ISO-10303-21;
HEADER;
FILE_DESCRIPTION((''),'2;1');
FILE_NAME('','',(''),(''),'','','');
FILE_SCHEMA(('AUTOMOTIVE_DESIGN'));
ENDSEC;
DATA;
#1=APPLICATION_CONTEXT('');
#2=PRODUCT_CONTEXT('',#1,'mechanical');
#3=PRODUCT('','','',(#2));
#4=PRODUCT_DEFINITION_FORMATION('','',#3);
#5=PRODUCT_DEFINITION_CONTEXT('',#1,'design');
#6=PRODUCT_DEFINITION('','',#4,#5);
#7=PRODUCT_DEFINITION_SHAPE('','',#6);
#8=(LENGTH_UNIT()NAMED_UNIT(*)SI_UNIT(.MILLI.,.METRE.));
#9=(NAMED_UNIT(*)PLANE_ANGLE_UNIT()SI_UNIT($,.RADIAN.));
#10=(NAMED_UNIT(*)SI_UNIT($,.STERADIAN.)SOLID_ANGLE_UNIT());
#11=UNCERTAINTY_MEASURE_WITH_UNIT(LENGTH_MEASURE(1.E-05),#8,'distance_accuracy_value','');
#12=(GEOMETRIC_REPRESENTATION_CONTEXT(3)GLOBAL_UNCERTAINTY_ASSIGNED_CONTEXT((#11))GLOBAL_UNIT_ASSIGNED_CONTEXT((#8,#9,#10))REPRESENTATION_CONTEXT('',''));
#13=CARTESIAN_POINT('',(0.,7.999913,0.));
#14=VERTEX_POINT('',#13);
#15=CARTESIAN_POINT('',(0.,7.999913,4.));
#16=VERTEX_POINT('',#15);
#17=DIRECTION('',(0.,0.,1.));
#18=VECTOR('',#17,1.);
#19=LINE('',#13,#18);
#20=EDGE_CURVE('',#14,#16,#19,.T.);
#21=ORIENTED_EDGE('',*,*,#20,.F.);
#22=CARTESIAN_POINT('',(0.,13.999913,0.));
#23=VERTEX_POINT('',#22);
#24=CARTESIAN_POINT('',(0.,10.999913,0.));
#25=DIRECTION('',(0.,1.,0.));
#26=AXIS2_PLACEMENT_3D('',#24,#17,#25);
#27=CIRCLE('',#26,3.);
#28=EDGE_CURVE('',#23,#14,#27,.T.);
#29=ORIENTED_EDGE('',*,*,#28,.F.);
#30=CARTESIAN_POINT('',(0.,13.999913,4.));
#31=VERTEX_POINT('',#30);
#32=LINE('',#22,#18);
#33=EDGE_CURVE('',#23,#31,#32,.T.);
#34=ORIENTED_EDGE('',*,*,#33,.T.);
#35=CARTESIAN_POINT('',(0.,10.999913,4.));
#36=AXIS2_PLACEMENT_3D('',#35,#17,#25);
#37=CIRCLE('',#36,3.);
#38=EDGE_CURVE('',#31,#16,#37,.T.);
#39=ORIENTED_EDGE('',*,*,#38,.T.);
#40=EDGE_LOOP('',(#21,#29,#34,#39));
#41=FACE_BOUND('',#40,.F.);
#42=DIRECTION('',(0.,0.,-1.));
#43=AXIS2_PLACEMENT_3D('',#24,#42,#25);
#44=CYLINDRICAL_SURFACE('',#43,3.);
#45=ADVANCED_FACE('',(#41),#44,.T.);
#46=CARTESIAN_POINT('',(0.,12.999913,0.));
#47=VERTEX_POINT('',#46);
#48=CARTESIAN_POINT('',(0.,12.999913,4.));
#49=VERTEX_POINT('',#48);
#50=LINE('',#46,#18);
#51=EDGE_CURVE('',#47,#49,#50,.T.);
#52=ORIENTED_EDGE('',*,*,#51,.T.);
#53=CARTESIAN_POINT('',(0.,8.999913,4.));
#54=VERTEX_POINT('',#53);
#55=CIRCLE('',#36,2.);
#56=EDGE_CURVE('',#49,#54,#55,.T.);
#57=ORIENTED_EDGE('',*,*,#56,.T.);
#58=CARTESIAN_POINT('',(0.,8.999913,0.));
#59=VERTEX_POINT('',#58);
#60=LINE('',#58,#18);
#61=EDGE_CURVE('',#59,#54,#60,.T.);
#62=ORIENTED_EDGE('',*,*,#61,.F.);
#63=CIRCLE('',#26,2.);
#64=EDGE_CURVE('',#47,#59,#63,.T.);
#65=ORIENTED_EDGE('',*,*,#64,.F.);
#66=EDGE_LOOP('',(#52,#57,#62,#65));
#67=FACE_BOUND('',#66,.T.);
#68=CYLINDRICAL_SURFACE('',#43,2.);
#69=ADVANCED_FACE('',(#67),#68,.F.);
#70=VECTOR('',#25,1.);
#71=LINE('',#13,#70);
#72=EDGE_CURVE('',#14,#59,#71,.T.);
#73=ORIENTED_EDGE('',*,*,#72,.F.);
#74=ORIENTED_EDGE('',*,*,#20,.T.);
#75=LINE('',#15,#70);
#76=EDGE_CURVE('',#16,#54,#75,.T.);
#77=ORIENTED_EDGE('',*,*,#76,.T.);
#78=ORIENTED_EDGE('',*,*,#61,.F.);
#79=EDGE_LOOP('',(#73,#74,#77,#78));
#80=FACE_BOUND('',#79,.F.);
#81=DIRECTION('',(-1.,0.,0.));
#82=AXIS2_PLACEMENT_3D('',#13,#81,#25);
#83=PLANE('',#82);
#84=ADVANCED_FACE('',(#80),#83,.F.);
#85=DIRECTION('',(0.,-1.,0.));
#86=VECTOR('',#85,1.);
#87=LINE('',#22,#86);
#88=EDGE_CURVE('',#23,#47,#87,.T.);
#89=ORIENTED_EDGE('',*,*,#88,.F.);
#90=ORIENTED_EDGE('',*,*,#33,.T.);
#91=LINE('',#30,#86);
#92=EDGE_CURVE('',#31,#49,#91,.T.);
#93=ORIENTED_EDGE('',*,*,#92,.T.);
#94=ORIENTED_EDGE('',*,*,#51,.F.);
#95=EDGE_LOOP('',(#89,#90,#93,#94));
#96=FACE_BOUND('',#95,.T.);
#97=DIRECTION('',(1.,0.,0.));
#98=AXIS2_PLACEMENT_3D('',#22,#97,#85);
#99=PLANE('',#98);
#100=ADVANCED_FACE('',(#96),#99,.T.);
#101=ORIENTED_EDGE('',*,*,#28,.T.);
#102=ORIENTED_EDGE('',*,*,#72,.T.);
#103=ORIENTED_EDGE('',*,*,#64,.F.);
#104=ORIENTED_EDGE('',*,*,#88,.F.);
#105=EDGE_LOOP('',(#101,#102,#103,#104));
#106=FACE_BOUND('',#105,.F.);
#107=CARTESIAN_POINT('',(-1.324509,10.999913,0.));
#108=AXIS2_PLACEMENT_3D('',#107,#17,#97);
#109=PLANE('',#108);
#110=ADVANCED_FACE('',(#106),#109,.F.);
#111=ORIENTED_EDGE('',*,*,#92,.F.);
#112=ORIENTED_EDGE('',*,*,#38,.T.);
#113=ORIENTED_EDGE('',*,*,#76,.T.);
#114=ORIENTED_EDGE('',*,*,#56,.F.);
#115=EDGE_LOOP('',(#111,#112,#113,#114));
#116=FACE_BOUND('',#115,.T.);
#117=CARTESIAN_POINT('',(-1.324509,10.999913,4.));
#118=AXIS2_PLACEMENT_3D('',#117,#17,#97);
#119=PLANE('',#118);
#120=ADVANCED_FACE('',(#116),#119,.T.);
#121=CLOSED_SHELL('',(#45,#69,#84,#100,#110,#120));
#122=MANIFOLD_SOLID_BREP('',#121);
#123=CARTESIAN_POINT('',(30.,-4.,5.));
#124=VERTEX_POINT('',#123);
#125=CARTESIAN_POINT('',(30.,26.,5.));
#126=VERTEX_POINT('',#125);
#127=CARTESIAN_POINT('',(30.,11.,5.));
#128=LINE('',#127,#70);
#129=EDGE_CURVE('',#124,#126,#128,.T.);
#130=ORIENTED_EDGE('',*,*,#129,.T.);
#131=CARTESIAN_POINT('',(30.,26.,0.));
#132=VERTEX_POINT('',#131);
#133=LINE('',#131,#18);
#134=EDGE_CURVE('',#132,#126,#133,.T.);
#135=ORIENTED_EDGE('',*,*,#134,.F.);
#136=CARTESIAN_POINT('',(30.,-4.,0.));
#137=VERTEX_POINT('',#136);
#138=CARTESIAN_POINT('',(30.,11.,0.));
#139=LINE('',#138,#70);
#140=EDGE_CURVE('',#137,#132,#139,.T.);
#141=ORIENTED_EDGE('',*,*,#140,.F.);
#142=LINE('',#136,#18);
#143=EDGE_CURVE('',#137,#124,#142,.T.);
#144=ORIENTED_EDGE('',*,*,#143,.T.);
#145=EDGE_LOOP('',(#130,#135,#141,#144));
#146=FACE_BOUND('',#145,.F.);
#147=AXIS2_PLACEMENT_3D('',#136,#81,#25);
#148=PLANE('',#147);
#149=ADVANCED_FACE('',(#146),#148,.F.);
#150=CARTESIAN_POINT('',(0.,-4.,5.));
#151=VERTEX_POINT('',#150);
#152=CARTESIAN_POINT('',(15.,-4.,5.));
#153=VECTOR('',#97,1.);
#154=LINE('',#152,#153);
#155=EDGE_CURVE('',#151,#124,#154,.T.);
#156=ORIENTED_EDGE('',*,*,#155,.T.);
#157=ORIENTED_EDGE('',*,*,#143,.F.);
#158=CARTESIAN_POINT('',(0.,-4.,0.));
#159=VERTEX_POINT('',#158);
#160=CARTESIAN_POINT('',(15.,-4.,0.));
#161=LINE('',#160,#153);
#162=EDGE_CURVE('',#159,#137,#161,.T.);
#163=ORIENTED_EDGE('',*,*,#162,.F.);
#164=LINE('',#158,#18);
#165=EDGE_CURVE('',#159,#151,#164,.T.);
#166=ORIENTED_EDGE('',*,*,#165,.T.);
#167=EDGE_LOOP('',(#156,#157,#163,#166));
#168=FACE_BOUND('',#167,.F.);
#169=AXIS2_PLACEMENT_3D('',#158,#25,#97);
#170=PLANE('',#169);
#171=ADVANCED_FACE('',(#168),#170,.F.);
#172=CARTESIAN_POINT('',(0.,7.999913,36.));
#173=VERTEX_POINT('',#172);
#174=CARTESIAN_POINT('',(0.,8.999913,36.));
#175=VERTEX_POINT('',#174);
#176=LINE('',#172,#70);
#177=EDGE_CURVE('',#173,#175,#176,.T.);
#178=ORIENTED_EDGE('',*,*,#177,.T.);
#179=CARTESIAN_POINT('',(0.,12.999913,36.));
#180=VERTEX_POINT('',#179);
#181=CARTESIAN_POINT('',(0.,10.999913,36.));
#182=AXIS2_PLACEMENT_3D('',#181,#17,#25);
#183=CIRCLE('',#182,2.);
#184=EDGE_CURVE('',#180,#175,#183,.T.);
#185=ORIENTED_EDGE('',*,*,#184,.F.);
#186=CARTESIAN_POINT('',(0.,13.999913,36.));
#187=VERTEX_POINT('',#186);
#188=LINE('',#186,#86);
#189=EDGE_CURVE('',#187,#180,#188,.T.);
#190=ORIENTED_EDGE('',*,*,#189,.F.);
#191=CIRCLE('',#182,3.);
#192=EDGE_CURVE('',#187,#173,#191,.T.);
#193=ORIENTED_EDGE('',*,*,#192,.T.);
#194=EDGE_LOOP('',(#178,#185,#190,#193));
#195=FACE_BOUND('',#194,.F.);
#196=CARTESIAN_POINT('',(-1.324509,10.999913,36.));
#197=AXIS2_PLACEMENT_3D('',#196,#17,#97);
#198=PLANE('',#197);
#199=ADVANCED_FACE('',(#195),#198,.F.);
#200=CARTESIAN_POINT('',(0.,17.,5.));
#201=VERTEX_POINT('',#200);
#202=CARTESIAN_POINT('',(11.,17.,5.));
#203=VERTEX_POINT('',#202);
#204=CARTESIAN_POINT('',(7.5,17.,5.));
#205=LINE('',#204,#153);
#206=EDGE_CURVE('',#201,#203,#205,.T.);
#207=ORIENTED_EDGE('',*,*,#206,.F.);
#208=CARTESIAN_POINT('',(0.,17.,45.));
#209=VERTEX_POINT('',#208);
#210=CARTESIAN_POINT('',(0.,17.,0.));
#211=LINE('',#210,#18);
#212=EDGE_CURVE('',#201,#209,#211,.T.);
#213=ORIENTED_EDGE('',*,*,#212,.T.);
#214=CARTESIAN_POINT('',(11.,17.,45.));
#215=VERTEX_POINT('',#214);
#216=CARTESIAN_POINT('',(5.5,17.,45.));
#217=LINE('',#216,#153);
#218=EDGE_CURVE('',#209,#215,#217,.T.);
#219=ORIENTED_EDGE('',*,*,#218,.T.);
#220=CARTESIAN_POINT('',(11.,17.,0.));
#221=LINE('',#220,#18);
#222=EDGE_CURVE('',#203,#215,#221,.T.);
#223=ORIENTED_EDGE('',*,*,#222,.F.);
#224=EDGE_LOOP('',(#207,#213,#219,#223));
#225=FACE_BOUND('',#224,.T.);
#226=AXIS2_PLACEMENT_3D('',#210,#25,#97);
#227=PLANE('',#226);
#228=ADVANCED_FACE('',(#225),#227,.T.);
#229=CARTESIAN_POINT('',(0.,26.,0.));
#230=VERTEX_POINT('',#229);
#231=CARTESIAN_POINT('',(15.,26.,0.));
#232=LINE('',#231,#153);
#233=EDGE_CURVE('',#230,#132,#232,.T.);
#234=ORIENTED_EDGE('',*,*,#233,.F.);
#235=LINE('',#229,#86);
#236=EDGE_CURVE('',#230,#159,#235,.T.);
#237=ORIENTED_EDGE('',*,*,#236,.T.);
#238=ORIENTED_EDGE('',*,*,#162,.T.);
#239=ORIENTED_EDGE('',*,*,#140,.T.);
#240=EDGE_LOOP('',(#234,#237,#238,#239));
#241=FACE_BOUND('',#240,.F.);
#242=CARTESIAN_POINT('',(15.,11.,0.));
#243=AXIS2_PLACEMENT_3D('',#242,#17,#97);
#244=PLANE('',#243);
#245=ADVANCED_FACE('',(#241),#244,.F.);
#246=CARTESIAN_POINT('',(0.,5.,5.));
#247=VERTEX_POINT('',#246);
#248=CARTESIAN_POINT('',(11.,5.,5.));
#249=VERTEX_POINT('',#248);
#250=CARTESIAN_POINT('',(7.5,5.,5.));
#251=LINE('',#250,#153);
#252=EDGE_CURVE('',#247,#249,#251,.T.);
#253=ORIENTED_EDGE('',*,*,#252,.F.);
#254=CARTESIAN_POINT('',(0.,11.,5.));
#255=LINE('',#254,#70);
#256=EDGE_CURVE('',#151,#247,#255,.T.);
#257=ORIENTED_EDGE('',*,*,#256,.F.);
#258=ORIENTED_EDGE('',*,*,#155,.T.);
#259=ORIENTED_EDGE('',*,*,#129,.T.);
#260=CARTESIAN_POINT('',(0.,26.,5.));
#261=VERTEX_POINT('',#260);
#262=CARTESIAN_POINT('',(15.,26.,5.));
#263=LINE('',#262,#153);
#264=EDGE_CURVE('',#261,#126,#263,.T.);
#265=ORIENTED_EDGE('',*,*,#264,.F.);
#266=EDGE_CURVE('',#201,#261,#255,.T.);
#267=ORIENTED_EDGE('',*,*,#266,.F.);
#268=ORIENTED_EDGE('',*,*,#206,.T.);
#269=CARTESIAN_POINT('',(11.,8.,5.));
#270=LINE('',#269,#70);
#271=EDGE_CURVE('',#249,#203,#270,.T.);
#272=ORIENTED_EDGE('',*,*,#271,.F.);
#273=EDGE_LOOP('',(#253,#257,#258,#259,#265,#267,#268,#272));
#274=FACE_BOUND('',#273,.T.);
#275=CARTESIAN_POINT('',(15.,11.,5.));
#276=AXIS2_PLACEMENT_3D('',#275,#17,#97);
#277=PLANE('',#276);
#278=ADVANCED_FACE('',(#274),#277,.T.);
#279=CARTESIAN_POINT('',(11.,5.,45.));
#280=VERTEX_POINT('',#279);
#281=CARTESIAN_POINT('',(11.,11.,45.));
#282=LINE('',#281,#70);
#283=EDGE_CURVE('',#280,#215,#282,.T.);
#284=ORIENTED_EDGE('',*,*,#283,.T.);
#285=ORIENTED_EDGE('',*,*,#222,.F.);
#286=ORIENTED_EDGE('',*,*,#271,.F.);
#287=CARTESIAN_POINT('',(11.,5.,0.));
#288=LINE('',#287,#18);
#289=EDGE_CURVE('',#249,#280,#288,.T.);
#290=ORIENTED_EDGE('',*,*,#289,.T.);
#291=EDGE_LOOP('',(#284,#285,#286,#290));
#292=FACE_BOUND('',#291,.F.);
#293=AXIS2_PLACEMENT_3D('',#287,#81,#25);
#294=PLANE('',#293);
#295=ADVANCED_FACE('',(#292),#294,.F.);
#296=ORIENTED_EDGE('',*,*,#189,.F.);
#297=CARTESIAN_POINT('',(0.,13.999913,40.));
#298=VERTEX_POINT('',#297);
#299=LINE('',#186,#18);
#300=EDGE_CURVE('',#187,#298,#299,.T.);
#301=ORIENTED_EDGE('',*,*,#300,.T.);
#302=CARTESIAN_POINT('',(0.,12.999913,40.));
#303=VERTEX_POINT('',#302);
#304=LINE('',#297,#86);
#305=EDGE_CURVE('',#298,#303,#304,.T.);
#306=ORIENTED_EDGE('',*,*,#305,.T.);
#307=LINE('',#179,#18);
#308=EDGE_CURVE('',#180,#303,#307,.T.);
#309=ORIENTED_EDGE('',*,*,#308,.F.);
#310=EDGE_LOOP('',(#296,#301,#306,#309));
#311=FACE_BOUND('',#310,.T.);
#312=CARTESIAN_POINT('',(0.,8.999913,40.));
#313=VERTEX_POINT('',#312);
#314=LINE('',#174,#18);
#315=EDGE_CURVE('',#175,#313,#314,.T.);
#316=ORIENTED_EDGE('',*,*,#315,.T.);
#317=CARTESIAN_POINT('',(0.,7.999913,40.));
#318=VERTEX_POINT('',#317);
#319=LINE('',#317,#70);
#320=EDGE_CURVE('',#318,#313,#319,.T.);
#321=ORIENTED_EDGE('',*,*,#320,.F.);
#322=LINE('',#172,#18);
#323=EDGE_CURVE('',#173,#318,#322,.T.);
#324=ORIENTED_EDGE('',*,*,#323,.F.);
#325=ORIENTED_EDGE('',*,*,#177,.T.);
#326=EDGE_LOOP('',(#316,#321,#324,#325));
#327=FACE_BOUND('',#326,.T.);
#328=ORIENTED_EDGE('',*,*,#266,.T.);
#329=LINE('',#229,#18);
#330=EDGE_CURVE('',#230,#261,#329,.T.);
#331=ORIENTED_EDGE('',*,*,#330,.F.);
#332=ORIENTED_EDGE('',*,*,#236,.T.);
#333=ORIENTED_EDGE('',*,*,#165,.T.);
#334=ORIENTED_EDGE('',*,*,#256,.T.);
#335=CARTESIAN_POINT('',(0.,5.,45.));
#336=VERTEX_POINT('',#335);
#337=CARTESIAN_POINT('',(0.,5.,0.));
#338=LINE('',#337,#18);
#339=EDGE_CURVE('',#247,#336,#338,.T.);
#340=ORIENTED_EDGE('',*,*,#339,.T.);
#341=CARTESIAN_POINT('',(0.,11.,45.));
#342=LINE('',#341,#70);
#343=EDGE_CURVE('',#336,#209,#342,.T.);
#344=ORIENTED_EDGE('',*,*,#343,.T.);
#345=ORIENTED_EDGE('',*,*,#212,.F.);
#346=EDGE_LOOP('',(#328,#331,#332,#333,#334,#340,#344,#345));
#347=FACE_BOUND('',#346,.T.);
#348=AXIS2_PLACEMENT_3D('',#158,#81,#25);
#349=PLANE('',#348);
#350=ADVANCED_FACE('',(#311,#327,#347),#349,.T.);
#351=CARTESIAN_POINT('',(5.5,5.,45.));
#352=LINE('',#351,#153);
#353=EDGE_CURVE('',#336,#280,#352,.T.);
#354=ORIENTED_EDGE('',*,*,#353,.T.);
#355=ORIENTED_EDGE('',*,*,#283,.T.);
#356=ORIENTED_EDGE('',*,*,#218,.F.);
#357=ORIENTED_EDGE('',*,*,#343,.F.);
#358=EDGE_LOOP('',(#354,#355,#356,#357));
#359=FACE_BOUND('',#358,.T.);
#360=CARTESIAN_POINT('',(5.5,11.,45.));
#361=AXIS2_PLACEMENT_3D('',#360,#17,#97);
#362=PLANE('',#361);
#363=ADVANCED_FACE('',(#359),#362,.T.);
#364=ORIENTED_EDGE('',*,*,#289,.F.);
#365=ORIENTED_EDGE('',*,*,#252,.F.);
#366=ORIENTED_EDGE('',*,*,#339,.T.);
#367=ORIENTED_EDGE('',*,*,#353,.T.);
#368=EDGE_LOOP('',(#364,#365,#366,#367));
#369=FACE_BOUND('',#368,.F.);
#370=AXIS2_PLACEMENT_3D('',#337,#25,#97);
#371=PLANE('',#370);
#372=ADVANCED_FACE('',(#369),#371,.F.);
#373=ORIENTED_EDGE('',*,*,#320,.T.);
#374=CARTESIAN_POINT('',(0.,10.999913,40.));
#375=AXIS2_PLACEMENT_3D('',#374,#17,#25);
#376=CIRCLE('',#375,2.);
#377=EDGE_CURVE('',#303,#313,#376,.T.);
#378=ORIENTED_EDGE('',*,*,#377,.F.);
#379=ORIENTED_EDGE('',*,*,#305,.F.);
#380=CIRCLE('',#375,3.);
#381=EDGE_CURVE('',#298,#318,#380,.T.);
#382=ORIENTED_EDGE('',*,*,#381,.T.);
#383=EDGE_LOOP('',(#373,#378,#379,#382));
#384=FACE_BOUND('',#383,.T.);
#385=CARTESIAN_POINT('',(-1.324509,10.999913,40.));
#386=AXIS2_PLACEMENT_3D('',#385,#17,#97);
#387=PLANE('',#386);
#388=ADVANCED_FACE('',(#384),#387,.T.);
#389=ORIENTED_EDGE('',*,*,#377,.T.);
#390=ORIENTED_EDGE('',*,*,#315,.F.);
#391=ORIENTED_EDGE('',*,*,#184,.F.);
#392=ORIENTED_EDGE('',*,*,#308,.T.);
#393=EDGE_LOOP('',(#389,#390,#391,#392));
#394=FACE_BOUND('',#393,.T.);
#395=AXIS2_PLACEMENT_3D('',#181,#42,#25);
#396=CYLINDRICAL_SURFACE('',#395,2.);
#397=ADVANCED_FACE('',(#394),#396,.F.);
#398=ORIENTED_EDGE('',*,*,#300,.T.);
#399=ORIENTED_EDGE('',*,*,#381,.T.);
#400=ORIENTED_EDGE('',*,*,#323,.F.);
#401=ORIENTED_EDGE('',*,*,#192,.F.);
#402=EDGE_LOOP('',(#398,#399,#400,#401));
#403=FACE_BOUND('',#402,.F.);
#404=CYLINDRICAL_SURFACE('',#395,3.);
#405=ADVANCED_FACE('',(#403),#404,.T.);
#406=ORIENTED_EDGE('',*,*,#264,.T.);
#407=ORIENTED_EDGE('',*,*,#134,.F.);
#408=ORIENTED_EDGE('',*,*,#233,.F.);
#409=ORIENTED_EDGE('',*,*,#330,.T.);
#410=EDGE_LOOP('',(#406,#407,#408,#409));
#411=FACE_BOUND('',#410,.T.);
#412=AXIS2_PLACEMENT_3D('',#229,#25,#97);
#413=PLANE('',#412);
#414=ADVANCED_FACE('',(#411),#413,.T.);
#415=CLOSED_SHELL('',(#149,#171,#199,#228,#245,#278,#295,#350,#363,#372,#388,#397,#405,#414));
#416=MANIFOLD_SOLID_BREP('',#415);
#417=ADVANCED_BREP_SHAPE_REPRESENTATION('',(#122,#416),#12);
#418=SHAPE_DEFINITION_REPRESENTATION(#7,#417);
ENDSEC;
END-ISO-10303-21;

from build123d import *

# Parameters (mm, degrees)
EXTRUDE002_DEPTH = 4
EXTRUDE003_DEPTH = 4
SKETCH_W         = 30
SKETCH_H         = 30
EXTRUDE_DEPTH    = 5
SKETCH001_W      = 11
SKETCH001_H      = 12
EXTRUDE001_DEPTH = 45


with BuildPart() as extrude002:
    # Sketch002 → Extrude002 (new body)
    with BuildSketch(Plane.XY):
        with BuildLine():
            ThreePointArc((0, 13.999913), (-3, 10.999913), (0, 7.999913))
            Line((0, 7.999913), (0, 8.999913))
            ThreePointArc((0, 12.999913), (-2, 10.999913), (0, 8.999913))
            Line((0, 13.999913), (0, 12.999913))
        make_face()
    extrude(amount=EXTRUDE002_DEPTH)


with BuildPart() as extrude003:
    # Sketch002 → Extrude003 (new body)
    with BuildSketch(Plane.XY):
        with BuildLine():
            ThreePointArc((0, 13.999913), (-3, 10.999913), (0, 7.999913))
            Line((0, 7.999913), (0, 8.999913))
            ThreePointArc((0, 12.999913), (-2, 10.999913), (0, 8.999913))
            Line((0, 13.999913), (0, 12.999913))
        make_face()
    extrude(amount=EXTRUDE003_DEPTH)


with BuildPart() as extrude003_1:
    # Extrude003 placement: moved
    add(extrude003.part.moved(Location((0, 0, 36))))


with BuildPart() as fusion:
    # Sketch → Extrude (new body)
    with BuildSketch(Plane.XY):
        with Locations((15, 11)):
            Rectangle(SKETCH_W, SKETCH_H)
    extrude(amount=EXTRUDE_DEPTH)

    # Fusion: union Extrude003
    add(extrude003_1.part)


with BuildPart() as fusion001:
    # Sketch001 → Extrude001 (new body)
    with BuildSketch(Plane.XY):
        with Locations((5.5, 11)):
            Rectangle(SKETCH001_W, SKETCH001_H)
    extrude(amount=EXTRUDE001_DEPTH)

    # Fusion001: union Fusion
    add(fusion.part)


solid = Compound([extrude002.part, fusion001.part])
